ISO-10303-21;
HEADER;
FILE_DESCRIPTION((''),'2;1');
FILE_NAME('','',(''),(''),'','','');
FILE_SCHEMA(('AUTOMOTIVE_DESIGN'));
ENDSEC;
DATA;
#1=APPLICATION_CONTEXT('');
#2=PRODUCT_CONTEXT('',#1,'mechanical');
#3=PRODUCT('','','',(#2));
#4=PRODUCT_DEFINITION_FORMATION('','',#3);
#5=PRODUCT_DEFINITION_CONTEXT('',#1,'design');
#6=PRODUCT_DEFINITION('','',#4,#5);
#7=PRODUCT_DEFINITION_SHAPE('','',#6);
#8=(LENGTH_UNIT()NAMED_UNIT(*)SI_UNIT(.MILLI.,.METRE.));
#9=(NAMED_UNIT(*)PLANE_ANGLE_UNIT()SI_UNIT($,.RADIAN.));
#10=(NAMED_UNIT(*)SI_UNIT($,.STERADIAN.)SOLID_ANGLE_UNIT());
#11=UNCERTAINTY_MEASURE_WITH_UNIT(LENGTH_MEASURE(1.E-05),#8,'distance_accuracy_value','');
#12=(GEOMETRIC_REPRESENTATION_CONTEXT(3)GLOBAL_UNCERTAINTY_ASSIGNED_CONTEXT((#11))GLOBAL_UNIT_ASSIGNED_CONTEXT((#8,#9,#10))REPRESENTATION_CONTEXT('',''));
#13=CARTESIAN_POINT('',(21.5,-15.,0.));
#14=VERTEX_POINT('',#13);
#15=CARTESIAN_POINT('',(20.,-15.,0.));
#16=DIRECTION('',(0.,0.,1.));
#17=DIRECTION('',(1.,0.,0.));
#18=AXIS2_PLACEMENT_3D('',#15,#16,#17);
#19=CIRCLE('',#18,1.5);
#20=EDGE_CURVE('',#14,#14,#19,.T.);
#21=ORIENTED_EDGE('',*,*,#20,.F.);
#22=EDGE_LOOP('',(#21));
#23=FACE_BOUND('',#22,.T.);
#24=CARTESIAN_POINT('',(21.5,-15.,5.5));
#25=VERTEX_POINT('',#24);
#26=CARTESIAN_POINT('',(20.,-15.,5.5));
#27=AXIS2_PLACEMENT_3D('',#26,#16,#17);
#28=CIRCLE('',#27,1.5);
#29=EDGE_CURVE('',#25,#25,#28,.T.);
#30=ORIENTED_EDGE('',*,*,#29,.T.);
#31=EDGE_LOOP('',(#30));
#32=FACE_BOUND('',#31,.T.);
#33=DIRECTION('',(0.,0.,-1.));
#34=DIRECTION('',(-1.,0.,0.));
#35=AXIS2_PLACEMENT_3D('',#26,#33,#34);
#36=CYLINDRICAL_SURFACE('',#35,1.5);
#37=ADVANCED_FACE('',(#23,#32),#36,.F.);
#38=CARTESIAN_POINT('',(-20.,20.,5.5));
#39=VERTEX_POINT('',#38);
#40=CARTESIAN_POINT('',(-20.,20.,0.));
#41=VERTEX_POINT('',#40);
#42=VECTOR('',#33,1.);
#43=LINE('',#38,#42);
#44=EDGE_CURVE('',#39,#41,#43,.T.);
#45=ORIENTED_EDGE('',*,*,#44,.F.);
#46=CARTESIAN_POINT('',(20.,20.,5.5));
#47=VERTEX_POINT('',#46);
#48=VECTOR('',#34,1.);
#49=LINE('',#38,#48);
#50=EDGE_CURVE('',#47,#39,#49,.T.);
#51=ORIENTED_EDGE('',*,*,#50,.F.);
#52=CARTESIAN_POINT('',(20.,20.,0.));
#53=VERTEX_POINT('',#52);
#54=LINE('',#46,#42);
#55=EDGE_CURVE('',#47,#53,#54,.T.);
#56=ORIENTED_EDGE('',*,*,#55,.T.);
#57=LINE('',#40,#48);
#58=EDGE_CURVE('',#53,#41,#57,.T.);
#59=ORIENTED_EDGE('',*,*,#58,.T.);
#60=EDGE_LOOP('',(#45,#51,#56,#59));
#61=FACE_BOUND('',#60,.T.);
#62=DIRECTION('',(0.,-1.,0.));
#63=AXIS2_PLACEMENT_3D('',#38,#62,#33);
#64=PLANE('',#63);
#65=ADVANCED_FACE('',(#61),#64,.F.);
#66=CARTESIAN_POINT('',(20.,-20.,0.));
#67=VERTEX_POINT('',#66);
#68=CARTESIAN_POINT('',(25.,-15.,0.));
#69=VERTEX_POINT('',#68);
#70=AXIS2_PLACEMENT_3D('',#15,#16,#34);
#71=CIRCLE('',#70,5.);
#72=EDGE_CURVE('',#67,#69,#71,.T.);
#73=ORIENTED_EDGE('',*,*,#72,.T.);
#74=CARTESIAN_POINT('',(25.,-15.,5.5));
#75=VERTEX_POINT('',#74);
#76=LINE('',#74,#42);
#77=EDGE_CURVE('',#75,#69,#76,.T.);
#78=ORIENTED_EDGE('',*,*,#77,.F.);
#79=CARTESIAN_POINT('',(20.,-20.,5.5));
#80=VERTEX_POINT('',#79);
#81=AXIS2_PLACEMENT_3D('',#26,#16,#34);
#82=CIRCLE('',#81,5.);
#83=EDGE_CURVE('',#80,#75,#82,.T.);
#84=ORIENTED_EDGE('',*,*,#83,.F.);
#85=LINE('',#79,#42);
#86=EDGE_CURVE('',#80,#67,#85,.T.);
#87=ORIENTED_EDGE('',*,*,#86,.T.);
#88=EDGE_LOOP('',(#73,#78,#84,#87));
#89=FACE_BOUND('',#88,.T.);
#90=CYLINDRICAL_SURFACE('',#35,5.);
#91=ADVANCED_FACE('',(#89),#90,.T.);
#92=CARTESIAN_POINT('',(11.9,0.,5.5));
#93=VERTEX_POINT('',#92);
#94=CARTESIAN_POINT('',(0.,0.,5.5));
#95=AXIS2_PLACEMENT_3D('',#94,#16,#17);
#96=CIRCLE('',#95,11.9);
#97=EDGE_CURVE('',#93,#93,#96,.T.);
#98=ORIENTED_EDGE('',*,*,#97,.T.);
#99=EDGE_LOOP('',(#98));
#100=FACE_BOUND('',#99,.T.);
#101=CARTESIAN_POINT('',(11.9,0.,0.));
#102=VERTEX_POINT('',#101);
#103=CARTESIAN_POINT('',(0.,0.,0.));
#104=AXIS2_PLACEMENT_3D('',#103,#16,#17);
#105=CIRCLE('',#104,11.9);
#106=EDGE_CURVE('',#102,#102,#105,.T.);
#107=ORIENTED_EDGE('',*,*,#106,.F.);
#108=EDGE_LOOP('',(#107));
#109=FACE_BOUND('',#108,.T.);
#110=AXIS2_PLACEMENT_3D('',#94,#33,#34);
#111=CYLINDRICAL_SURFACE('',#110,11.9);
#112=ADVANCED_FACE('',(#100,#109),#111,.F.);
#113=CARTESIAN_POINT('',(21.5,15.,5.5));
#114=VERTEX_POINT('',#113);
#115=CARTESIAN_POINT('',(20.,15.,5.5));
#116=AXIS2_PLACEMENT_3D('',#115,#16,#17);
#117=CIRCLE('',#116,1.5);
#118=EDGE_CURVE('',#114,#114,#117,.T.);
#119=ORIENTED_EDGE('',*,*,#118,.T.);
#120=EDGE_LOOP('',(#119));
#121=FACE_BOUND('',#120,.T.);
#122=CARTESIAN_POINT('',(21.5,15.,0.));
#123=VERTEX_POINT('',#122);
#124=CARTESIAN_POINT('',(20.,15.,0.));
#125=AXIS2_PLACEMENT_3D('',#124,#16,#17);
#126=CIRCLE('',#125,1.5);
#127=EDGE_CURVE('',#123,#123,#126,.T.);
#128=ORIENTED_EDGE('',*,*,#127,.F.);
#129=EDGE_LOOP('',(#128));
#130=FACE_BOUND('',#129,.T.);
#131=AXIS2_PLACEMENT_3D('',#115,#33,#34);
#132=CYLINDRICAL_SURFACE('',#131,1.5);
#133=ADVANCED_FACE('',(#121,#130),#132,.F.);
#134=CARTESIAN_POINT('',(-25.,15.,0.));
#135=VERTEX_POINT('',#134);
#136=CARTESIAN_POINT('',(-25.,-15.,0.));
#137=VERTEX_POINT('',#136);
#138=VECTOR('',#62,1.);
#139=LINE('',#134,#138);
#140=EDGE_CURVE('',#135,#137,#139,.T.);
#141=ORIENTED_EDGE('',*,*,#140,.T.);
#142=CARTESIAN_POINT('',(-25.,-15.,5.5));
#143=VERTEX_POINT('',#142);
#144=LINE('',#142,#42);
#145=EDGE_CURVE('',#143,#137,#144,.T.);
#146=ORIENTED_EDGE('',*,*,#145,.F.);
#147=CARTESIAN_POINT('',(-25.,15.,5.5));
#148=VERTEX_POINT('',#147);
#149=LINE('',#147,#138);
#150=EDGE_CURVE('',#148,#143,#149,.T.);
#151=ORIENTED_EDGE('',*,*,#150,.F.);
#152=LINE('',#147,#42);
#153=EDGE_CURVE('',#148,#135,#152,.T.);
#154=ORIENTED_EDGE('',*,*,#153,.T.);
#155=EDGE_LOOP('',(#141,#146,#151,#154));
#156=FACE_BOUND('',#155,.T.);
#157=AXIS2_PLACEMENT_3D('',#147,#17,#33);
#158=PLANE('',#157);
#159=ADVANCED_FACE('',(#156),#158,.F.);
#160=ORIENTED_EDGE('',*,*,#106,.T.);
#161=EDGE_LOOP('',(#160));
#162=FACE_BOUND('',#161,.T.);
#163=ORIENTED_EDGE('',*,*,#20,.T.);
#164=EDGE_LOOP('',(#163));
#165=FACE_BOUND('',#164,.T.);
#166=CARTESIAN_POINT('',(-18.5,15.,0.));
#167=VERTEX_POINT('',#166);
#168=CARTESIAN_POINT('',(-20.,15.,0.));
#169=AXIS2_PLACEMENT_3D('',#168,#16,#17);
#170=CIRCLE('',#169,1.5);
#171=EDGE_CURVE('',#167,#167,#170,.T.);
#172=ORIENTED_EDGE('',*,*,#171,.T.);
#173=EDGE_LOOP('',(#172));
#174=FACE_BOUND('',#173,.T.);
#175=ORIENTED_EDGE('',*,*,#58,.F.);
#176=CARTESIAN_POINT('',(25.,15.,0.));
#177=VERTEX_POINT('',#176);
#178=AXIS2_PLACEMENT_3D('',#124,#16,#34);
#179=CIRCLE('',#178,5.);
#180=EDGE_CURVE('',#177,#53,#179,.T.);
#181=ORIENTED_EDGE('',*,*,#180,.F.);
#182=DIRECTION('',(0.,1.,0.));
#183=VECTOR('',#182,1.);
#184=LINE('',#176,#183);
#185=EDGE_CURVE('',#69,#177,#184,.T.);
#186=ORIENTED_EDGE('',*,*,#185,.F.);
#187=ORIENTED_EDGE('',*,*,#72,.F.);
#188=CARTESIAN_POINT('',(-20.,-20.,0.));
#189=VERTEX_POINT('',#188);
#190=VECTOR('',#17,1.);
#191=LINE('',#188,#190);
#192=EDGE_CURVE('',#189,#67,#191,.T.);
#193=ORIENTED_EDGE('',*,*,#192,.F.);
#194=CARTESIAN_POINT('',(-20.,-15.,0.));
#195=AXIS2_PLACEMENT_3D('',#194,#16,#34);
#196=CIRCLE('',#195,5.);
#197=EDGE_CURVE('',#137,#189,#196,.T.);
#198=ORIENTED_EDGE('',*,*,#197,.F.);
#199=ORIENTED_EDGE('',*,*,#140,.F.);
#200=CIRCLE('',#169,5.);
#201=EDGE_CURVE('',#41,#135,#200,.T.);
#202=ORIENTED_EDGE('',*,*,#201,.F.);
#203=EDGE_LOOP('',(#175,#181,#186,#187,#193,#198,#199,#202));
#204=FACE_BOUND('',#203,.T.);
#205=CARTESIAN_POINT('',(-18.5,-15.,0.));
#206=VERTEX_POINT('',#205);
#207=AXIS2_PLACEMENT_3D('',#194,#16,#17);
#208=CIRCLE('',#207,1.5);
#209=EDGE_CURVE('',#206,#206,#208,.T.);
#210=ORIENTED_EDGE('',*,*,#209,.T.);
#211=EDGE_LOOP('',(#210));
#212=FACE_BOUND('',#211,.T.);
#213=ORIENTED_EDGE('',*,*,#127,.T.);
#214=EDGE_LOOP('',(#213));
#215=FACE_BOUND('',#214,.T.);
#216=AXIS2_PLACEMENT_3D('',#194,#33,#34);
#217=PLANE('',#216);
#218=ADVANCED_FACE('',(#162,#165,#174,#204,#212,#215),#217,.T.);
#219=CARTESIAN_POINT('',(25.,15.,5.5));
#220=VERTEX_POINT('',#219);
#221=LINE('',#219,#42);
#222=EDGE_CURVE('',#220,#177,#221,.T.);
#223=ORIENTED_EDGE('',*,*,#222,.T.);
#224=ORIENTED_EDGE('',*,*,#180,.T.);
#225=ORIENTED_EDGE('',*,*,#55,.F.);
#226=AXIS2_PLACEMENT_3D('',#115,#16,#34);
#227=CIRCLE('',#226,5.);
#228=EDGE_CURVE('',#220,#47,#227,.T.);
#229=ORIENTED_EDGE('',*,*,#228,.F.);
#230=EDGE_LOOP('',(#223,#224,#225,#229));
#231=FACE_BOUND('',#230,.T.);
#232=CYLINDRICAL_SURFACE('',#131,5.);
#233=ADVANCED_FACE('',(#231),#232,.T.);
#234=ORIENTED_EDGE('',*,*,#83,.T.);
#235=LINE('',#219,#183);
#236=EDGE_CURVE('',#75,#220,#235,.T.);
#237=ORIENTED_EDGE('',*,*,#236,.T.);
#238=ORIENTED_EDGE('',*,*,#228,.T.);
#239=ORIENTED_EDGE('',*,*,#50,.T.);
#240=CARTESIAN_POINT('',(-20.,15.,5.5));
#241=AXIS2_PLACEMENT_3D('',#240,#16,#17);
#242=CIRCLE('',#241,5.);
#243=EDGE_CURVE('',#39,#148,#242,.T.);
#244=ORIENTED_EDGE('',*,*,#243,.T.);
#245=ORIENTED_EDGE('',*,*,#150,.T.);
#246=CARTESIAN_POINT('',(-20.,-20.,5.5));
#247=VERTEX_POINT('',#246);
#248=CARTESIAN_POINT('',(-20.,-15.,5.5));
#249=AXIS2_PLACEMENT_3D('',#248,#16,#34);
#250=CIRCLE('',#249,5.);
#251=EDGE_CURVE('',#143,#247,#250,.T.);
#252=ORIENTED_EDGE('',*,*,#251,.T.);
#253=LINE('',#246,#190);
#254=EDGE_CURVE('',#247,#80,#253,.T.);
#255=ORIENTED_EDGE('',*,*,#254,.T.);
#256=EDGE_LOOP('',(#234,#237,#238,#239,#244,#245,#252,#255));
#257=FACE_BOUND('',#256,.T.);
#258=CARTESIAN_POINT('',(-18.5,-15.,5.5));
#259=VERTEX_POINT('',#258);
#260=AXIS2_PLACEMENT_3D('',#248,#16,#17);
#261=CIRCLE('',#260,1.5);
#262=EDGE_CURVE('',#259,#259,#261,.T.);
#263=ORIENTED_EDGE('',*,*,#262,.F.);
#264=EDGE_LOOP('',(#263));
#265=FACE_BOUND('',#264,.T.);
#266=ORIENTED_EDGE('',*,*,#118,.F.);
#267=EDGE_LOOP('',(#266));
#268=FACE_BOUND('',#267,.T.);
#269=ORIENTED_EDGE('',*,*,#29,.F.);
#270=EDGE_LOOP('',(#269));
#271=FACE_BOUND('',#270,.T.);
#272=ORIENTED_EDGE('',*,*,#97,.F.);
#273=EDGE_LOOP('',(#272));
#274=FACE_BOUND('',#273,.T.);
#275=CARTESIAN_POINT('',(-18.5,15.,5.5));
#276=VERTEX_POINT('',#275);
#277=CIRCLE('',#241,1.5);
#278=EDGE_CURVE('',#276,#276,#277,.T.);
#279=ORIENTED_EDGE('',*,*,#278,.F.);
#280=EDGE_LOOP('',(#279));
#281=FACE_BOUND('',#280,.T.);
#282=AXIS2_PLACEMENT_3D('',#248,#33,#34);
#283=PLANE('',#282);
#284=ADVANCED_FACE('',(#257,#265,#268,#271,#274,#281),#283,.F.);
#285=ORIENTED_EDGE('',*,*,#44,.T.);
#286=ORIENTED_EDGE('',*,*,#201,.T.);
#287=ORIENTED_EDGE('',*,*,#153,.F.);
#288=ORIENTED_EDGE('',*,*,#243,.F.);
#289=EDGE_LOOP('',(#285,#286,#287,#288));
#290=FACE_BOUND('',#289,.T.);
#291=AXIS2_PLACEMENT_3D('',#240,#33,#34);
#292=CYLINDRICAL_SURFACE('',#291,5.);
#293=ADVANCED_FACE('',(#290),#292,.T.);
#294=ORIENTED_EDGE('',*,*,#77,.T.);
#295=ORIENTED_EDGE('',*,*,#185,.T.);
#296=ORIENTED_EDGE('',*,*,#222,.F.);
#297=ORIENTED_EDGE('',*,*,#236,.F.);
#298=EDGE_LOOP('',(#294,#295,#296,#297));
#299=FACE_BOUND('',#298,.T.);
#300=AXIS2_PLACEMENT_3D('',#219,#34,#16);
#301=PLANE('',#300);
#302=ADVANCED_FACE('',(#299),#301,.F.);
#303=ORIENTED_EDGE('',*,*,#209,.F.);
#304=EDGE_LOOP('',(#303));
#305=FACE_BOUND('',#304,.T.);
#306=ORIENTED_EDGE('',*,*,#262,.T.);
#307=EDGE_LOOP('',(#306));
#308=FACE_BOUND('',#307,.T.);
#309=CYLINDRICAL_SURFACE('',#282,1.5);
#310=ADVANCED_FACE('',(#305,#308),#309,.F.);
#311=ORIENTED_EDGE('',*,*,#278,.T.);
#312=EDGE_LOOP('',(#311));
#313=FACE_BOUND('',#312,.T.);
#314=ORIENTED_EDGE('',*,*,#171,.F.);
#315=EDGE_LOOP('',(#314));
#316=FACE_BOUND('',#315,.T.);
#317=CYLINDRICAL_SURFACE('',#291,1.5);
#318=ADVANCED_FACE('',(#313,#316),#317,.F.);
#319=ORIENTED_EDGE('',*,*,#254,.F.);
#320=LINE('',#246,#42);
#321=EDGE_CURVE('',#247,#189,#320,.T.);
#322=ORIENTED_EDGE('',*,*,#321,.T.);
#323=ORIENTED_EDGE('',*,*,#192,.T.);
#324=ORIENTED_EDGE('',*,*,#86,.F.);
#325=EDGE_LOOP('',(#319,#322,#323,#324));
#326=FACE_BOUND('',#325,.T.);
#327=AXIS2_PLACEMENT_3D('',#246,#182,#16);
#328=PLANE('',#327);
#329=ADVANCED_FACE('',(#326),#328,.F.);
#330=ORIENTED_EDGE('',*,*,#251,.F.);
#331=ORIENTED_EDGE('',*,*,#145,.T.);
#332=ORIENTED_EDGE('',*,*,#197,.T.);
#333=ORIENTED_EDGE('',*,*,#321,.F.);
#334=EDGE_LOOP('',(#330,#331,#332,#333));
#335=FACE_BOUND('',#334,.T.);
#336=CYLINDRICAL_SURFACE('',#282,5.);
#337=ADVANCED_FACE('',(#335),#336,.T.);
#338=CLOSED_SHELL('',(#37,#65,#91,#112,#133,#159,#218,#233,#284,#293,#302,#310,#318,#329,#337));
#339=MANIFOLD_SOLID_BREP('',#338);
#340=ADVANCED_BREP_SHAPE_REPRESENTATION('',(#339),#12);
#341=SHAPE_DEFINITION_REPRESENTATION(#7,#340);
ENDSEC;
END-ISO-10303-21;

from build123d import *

# Parameters (mm, degrees)
CROQUIS1_R              = 1.5
CROQUIS1_R_2            = 11.9
SALIENTE_EXTRUIR1_DEPTH = 5.5


with BuildPart() as part:
    # Croquis1 → Saliente-Extruir1 (new body)
    with BuildSketch(Plane.XY):
        with BuildLine():
            Line((-20, 20), (20, 20))
            ThreePointArc((20, 20), (23.535533906, 18.535533906), (25, 15))
            Line((25, 15), (25, -15))
            ThreePointArc((25, -15), (23.535533906, -18.535533906), (20, -20))
            Line((20, -20), (-20, -20))
            ThreePointArc((-20, -20), (-23.535533906, -18.535533906), (-25, -15))
            Line((-25, -15), (-25, 15))
            ThreePointArc((-25, 15), (-23.535533906, 18.535533906), (-20, 20))
        make_face()
        with Locations((-20, 15)):
            Circle(CROQUIS1_R, mode=Mode.SUBTRACT)
        Circle(CROQUIS1_R_2, mode=Mode.SUBTRACT)
        with Locations((-20, -15)):
            Circle(CROQUIS1_R, mode=Mode.SUBTRACT)
        with Locations((20, -15)):
            Circle(CROQUIS1_R, mode=Mode.SUBTRACT)
        with Locations((20, 15)):
            Circle(CROQUIS1_R, mode=Mode.SUBTRACT)
    extrude(amount=SALIENTE_EXTRUIR1_DEPTH)


solid = part.part
